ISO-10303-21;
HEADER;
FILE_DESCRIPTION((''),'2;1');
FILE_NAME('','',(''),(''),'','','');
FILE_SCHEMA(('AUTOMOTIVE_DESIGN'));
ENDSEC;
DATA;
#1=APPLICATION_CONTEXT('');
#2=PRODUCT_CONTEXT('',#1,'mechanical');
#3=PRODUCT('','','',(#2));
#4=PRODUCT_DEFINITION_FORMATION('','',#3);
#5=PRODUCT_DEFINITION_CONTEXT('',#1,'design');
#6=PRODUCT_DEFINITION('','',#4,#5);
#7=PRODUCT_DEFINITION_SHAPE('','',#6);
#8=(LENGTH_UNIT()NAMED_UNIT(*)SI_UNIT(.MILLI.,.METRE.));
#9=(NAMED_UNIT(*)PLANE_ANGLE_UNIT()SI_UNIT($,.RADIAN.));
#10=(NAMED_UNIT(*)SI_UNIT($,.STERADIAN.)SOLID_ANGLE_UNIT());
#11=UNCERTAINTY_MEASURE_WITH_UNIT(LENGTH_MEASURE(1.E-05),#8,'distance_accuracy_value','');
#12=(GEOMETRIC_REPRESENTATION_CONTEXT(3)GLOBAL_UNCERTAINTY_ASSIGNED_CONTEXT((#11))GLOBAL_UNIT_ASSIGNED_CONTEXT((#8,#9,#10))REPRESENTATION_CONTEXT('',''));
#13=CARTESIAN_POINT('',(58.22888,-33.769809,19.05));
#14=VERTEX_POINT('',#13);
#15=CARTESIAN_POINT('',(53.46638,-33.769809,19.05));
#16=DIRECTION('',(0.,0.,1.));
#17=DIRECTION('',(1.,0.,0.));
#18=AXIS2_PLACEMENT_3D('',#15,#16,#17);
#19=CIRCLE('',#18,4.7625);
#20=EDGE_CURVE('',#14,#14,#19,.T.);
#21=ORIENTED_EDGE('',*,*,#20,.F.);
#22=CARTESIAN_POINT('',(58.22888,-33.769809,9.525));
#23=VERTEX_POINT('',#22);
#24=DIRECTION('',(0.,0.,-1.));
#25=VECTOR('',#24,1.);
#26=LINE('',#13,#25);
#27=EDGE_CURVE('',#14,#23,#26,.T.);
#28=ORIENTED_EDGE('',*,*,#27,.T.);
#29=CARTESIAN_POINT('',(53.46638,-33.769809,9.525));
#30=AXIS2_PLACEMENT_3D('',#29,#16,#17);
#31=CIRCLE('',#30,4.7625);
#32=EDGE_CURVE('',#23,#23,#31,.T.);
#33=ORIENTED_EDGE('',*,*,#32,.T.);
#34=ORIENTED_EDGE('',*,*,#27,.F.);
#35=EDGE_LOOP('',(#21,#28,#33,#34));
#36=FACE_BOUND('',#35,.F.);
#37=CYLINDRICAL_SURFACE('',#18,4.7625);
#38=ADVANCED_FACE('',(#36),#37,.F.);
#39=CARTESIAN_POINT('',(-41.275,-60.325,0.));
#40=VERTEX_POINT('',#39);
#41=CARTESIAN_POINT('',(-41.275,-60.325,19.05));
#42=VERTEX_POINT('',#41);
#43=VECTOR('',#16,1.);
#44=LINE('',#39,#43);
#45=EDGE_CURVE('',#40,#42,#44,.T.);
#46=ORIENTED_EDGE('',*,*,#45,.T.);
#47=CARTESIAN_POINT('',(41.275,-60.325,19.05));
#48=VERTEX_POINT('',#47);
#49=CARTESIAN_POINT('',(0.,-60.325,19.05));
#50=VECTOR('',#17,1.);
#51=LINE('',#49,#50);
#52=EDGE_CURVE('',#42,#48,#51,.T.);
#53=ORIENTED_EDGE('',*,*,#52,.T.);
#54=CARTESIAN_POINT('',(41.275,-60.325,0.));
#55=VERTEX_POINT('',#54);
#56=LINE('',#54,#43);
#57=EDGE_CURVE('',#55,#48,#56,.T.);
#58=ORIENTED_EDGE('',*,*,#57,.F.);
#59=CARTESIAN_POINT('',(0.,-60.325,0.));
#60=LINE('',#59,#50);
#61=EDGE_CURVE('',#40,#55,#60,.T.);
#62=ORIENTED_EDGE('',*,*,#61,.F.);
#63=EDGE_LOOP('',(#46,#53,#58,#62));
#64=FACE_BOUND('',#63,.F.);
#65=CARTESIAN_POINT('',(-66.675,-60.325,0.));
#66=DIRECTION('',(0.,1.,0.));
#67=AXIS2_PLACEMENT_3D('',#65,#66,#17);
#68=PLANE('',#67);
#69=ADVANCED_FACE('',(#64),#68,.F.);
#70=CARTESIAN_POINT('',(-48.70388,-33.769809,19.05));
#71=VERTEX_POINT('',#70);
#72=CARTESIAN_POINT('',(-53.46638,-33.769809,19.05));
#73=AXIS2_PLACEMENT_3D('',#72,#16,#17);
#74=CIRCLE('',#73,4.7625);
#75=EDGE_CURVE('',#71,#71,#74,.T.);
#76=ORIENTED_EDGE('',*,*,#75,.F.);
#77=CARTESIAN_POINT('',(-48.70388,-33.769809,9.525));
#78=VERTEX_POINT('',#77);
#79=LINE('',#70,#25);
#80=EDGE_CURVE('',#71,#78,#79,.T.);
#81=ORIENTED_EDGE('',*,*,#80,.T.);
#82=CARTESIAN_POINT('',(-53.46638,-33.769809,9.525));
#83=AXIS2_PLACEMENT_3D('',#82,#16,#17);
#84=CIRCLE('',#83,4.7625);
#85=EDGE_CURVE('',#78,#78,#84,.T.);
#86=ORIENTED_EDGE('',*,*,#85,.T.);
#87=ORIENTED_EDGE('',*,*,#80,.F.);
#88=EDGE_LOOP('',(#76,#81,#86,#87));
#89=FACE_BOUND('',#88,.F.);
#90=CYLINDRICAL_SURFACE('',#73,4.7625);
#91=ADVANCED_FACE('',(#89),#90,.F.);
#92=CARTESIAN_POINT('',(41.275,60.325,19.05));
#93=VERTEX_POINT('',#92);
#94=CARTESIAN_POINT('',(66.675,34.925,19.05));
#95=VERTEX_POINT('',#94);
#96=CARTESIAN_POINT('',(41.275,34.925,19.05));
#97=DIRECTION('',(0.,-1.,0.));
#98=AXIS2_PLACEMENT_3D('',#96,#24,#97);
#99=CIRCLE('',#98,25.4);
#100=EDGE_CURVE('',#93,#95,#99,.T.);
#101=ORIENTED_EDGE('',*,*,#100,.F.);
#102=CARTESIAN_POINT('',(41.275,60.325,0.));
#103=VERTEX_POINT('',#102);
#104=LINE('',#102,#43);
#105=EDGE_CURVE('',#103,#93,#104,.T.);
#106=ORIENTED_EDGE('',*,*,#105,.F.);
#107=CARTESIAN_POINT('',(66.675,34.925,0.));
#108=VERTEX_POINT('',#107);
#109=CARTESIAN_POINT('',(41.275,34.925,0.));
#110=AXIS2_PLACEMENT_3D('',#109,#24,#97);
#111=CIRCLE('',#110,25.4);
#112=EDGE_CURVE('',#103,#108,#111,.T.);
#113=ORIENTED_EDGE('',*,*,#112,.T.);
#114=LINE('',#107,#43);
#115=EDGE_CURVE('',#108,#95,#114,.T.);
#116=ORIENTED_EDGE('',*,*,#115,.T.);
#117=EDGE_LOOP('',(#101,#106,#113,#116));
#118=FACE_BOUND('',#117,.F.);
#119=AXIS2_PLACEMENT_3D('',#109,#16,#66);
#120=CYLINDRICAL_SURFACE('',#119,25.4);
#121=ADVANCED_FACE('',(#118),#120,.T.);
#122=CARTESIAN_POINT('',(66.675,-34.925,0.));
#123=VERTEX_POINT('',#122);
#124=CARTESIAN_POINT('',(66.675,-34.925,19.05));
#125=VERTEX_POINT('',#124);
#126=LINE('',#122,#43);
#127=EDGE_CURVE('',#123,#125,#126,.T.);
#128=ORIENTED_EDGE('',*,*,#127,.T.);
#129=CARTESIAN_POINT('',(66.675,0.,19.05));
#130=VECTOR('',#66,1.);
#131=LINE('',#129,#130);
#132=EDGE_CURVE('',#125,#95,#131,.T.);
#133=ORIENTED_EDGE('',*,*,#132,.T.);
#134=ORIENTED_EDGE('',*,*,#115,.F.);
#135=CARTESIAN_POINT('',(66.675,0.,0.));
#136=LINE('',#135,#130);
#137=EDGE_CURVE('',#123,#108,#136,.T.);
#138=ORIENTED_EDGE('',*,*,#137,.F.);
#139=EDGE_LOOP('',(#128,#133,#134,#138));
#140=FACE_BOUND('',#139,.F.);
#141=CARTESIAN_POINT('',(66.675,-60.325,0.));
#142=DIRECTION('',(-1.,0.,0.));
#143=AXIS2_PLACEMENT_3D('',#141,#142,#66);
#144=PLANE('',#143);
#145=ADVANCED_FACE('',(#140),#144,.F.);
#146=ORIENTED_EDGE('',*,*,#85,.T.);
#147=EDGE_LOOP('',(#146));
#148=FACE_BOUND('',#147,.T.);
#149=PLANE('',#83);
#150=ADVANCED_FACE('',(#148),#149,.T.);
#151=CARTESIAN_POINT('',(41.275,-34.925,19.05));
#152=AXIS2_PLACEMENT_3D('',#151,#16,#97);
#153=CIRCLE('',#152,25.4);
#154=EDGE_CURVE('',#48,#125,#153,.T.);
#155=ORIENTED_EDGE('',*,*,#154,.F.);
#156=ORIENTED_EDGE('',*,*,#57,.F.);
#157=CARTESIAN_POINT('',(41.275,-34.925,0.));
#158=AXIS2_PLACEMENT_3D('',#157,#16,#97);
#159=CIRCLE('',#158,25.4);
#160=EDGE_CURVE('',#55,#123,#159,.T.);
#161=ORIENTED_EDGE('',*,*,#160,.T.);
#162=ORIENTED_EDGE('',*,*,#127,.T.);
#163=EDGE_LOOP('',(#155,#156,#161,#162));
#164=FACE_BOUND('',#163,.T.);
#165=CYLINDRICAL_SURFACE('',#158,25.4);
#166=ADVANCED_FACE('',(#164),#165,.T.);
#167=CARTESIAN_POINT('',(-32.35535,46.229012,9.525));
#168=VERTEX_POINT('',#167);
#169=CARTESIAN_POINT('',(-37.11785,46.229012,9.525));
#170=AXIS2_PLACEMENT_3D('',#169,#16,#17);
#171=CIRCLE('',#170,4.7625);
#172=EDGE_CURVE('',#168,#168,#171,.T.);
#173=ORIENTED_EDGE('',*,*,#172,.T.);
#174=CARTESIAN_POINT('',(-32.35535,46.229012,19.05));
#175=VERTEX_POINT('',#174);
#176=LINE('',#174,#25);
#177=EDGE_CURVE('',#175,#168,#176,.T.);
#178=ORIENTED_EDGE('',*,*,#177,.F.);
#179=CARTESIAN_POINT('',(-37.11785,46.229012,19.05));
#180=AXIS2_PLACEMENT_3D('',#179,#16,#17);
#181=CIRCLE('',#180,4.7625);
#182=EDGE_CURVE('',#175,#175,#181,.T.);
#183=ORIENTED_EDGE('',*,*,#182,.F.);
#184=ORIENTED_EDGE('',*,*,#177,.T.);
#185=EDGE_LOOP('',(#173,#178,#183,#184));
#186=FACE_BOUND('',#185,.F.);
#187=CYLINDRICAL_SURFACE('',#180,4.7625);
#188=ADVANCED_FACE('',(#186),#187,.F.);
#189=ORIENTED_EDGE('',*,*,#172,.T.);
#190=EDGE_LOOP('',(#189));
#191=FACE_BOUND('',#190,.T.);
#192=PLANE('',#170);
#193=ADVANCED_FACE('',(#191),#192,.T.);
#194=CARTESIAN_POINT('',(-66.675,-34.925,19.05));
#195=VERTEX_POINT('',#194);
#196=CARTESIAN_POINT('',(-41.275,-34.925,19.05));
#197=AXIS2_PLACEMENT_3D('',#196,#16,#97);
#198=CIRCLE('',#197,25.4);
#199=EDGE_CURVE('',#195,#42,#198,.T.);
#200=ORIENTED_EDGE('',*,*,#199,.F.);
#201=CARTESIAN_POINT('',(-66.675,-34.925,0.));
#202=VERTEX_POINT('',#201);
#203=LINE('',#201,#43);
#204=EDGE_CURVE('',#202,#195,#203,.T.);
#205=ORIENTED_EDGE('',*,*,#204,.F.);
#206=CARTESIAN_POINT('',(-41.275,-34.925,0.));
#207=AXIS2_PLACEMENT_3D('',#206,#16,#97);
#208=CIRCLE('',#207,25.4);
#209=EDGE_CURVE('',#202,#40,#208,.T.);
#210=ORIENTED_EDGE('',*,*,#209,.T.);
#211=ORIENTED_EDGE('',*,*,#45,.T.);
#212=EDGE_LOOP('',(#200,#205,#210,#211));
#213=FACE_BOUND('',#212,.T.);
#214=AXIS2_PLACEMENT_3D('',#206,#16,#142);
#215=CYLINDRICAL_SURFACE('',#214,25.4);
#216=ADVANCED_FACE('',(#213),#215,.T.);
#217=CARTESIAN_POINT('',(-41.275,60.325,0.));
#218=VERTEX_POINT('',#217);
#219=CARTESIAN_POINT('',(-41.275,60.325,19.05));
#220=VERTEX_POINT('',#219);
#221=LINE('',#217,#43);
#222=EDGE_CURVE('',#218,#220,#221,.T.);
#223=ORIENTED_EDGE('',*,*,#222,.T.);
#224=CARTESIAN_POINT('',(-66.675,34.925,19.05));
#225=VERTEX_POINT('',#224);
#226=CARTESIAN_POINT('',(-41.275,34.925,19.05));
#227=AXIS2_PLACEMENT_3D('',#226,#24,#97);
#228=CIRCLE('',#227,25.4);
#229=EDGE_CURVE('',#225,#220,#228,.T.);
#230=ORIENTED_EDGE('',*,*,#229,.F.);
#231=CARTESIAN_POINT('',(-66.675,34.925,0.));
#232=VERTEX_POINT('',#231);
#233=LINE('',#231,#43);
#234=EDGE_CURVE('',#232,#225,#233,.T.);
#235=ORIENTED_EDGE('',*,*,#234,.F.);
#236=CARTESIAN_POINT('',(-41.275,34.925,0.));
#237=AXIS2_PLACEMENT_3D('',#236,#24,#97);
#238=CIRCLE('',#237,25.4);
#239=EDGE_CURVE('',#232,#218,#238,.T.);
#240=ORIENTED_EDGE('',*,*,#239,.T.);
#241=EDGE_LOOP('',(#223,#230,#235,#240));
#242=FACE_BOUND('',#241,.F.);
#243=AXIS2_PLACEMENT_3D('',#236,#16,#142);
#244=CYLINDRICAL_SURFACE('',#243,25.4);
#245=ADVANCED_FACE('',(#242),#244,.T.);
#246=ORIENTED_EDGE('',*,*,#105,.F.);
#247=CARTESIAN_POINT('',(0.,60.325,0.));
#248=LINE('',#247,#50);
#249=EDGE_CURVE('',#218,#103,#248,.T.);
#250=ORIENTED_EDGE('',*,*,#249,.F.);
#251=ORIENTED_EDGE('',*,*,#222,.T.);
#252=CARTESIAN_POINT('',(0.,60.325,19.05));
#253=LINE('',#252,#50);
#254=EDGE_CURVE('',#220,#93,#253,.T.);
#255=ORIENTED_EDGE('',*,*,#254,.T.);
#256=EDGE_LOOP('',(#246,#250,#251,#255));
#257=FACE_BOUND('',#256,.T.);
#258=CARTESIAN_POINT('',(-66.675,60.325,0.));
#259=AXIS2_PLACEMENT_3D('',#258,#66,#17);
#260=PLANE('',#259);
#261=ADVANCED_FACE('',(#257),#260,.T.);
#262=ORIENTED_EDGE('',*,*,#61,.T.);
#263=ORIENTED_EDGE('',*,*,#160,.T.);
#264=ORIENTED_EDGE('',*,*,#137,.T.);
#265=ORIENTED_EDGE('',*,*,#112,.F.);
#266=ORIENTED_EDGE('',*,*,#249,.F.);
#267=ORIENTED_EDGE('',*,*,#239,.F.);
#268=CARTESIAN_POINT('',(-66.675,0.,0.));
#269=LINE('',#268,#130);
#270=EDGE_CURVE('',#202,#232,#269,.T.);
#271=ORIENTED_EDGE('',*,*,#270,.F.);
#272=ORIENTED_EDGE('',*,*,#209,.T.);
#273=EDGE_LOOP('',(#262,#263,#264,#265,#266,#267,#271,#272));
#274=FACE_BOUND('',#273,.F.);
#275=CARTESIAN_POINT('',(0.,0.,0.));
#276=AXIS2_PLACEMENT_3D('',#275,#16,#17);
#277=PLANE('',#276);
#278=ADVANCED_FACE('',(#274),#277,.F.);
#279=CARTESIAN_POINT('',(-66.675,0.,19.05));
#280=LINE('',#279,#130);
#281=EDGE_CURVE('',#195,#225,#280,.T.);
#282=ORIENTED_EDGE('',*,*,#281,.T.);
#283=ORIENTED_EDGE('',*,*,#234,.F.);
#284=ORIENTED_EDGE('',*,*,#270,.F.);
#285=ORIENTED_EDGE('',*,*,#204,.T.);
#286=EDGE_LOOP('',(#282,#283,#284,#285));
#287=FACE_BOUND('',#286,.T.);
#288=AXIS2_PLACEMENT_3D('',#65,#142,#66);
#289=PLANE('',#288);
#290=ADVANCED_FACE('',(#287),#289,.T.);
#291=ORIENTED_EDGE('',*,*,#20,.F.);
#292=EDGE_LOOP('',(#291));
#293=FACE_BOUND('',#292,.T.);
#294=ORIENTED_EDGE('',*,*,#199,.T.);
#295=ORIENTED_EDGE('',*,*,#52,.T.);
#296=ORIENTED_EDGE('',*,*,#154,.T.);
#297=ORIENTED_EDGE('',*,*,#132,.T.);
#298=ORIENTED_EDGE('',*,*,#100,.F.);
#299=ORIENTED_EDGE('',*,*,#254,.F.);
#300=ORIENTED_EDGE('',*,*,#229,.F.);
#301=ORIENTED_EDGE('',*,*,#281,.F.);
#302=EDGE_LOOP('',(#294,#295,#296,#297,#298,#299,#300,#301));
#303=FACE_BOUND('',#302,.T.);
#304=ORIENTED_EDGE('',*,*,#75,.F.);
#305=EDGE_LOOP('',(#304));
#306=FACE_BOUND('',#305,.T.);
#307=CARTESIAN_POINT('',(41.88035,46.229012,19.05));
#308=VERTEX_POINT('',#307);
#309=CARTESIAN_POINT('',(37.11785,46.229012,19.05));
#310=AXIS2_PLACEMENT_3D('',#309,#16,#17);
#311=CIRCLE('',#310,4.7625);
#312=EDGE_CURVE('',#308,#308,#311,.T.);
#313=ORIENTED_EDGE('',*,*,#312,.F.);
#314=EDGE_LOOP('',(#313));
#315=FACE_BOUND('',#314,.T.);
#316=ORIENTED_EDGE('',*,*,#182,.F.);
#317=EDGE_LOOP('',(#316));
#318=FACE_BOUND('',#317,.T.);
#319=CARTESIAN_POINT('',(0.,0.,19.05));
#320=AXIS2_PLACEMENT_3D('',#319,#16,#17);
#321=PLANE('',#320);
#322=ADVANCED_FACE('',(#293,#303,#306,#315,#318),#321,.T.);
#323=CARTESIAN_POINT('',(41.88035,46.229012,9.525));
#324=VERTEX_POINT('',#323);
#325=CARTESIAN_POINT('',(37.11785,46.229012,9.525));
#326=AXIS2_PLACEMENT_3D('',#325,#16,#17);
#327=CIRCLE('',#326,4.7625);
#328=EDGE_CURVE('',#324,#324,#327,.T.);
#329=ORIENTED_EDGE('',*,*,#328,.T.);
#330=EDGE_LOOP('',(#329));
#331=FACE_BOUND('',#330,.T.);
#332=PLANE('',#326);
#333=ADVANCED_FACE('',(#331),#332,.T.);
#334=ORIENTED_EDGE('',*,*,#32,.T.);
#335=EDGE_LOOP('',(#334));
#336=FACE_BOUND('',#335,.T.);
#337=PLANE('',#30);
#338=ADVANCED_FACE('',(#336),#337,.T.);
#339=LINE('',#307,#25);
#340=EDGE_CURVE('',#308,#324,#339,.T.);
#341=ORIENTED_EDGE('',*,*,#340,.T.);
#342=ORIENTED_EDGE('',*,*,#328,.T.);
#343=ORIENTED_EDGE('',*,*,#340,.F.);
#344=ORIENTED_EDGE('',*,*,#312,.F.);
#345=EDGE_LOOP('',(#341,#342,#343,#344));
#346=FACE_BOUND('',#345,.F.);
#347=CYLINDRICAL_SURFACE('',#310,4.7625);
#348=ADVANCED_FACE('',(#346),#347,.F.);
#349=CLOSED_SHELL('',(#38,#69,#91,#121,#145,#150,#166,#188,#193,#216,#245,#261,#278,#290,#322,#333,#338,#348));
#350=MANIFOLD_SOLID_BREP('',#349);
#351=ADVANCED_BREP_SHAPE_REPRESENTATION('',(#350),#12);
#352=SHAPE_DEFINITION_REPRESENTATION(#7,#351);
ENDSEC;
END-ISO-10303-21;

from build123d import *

# Parameters (mm, degrees)
F0_W     = 133.35
F0_H     = 120.65
F1_DEPTH = 19.05
F2_R     = 4.7625
F3_DEPTH = 9.525
F4_R     = 25.4


with BuildPart() as f1:
    # F0 (on Top) → F1 (new body)
    with BuildSketch(Plane.XY):
        Rectangle(F0_W, F0_H)
    extrude(amount=F1_DEPTH)

    # F2 (on face) → F3 (cut)
    with BuildSketch(Plane.XY.offset(19.05)):
        with Locations((-37.11785, 46.229012)):
            Circle(F2_R)
        with Locations((-53.46638, -33.769809)):
            Circle(F2_R)
        with Locations((37.11785, 46.229012)):
            Circle(F2_R)
        with Locations((53.46638, -33.769809)):
            Circle(F2_R)
    extrude(amount=-F3_DEPTH, mode=Mode.SUBTRACT)

    # F4
    f4_edges = [f1.edges().sort_by_distance(p)[0] for p in [
        (66.675, 60.325, 9.525),
        (66.675, -60.325, 9.525),
        (-66.675, -60.325, 9.525),
        (-66.675, 60.325, 9.525),
    ]]
    fillet(f4_edges, radius=F4_R)


solid = f1.part
